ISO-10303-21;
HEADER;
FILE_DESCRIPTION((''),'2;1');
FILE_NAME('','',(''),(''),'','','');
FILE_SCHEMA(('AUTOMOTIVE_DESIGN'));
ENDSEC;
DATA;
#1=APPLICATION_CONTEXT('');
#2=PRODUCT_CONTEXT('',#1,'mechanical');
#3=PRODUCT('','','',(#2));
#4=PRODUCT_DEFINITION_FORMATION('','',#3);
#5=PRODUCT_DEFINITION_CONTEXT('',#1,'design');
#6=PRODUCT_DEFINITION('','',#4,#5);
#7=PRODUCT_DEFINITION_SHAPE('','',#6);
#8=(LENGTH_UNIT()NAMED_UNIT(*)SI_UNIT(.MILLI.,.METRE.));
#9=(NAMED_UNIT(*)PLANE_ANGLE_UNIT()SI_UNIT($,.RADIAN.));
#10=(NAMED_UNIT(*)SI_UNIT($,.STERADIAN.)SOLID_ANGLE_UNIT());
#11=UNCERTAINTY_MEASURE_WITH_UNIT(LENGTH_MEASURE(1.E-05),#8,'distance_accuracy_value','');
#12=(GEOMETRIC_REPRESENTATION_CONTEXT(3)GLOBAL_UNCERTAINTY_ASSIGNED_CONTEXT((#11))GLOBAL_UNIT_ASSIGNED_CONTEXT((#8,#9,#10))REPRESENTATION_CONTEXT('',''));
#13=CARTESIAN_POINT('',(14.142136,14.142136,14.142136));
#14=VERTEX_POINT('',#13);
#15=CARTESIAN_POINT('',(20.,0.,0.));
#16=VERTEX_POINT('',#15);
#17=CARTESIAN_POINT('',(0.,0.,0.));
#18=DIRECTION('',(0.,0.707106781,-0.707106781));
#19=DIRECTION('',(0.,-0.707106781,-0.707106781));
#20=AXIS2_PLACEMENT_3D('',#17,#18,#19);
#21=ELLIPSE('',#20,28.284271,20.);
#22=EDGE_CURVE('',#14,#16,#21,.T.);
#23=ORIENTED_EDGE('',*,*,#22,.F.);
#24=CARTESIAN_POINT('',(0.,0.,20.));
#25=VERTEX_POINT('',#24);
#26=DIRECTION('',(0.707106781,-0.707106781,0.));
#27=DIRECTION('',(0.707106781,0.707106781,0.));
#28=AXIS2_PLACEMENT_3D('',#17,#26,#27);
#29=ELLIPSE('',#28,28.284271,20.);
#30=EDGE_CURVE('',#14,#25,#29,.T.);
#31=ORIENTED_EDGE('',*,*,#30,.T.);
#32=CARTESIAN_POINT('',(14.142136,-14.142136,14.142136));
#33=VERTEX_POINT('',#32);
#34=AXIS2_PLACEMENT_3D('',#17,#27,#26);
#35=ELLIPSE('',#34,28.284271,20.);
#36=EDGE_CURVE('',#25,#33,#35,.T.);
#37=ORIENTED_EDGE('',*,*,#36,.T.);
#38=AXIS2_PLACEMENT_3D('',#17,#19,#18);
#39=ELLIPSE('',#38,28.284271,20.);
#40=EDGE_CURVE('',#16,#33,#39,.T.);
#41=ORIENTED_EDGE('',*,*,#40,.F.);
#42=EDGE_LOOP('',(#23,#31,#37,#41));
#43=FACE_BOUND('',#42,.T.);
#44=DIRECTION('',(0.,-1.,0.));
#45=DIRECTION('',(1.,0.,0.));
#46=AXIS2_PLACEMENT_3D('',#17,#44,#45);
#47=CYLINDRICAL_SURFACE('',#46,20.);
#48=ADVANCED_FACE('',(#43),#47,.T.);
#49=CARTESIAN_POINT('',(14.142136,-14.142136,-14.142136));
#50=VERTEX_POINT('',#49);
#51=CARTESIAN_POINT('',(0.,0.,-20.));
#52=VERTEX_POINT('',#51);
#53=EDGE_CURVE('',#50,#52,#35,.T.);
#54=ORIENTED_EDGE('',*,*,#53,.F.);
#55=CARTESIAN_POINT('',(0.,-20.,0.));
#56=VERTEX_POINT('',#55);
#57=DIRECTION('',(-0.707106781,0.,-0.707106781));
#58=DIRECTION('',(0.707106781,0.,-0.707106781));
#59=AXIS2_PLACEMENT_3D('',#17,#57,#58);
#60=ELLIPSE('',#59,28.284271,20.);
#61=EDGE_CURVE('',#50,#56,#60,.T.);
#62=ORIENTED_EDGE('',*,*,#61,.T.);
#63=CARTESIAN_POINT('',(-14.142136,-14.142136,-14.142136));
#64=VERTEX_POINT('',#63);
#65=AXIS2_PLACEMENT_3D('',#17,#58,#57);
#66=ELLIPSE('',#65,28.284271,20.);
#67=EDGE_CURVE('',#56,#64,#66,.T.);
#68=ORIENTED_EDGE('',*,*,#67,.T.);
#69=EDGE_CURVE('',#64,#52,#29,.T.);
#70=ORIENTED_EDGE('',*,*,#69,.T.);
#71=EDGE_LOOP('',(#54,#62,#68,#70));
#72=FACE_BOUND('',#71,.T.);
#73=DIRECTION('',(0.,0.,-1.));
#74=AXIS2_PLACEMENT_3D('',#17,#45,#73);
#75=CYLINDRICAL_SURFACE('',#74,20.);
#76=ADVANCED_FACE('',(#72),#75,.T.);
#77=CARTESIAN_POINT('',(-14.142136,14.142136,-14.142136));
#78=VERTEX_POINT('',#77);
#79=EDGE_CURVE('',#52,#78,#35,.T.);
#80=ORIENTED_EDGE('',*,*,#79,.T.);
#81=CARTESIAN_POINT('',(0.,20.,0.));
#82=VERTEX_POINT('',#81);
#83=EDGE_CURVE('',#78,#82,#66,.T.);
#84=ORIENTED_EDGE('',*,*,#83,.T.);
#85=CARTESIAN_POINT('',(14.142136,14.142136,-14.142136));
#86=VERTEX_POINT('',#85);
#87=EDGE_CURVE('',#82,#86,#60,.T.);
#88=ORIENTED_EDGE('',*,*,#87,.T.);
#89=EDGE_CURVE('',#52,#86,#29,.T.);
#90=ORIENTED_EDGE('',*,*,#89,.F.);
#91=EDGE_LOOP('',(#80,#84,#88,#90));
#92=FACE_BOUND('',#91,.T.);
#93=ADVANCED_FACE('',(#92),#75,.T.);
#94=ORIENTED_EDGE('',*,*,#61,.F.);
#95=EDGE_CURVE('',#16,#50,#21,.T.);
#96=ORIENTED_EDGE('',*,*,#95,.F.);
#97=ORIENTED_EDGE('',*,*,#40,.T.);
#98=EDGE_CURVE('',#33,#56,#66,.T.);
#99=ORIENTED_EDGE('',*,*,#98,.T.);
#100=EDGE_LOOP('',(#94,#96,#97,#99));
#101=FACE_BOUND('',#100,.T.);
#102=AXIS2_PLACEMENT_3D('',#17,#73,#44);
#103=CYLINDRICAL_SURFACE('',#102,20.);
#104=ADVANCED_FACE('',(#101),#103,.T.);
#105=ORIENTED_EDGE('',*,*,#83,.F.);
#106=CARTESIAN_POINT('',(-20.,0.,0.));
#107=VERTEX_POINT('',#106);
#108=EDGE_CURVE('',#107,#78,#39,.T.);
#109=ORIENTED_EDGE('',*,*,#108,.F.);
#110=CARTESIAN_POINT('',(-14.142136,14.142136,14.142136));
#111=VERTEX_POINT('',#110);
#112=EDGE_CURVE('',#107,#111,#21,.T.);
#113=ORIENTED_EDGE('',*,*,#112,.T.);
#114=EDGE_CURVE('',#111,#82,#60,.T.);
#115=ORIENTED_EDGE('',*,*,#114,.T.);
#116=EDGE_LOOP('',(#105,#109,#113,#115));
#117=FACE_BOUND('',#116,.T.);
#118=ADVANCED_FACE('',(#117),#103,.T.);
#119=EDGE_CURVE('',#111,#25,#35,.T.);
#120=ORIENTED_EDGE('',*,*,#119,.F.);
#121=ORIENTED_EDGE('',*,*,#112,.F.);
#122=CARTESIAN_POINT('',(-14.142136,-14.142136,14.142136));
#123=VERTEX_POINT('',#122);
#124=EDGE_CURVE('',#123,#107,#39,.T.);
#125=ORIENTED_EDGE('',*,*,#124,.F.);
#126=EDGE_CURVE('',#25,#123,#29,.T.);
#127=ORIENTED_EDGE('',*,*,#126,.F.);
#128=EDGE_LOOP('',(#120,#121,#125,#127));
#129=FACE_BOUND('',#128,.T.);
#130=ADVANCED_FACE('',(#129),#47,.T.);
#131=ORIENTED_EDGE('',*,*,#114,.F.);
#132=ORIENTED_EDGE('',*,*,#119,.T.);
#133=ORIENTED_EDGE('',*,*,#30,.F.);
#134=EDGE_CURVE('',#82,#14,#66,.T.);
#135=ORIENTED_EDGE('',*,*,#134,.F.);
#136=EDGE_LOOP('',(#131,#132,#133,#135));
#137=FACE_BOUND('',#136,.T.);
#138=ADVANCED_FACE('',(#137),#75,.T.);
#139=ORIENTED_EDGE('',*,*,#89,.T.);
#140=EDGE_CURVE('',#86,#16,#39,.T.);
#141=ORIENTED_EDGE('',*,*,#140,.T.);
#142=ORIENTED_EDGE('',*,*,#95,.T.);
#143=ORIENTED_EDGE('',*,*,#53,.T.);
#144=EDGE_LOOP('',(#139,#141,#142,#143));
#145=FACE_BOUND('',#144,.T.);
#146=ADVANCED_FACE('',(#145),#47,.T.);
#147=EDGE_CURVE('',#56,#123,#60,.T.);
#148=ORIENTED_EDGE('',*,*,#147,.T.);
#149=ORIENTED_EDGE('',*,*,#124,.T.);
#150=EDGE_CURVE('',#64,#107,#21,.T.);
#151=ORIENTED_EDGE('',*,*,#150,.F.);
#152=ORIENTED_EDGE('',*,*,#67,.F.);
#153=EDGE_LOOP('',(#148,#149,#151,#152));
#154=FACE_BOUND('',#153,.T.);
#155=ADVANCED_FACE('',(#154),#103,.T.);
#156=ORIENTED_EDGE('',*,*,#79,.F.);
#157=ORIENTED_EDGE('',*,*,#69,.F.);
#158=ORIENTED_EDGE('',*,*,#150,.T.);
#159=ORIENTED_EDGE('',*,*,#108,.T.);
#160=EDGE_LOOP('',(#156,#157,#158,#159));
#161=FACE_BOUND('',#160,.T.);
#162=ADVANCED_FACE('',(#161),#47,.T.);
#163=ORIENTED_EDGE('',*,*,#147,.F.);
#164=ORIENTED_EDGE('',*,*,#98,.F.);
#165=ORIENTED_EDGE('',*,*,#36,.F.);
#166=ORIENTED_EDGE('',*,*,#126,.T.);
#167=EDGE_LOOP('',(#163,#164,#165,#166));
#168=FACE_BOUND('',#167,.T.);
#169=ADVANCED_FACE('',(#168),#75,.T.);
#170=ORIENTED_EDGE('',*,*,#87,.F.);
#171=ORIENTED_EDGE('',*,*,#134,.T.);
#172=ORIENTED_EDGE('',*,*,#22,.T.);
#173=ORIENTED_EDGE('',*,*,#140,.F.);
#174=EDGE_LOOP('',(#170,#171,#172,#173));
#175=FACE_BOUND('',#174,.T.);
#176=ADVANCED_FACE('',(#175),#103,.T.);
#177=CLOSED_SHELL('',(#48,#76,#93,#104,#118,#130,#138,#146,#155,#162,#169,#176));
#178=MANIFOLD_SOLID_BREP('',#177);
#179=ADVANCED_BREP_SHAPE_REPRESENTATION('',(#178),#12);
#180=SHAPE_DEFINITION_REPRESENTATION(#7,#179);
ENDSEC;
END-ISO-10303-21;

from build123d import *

# Parameters (mm, degrees)
F0_R     = 20
F1_DEPTH = 25
F4_COUNT = 3


with BuildPart() as f1:
    # F0 (on Front) → F1 (new body, symmetric)
    with BuildSketch(Plane.XZ):
        Circle(F0_R)
    extrude(amount=F1_DEPTH, both=True)


with BuildPart() as f4_1:
    # F4: instance of F1
    add(f1.part.rotate(Axis((-10, 10, 10), (-0.5773502692, 0.5773502692, 0.5773502692)), 1 * 360 / F4_COUNT))


with BuildPart() as f4_2:
    # F4: instance of F1
    add(f1.part.rotate(Axis((-10, 10, 10), (-0.5773502692, 0.5773502692, 0.5773502692)), 2 * 360 / F4_COUNT))

    # F5: intersect F4_1, F1
    add(f4_1.part, mode=Mode.INTERSECT)
    add(f1.part, mode=Mode.INTERSECT)


solid = f4_2.part
